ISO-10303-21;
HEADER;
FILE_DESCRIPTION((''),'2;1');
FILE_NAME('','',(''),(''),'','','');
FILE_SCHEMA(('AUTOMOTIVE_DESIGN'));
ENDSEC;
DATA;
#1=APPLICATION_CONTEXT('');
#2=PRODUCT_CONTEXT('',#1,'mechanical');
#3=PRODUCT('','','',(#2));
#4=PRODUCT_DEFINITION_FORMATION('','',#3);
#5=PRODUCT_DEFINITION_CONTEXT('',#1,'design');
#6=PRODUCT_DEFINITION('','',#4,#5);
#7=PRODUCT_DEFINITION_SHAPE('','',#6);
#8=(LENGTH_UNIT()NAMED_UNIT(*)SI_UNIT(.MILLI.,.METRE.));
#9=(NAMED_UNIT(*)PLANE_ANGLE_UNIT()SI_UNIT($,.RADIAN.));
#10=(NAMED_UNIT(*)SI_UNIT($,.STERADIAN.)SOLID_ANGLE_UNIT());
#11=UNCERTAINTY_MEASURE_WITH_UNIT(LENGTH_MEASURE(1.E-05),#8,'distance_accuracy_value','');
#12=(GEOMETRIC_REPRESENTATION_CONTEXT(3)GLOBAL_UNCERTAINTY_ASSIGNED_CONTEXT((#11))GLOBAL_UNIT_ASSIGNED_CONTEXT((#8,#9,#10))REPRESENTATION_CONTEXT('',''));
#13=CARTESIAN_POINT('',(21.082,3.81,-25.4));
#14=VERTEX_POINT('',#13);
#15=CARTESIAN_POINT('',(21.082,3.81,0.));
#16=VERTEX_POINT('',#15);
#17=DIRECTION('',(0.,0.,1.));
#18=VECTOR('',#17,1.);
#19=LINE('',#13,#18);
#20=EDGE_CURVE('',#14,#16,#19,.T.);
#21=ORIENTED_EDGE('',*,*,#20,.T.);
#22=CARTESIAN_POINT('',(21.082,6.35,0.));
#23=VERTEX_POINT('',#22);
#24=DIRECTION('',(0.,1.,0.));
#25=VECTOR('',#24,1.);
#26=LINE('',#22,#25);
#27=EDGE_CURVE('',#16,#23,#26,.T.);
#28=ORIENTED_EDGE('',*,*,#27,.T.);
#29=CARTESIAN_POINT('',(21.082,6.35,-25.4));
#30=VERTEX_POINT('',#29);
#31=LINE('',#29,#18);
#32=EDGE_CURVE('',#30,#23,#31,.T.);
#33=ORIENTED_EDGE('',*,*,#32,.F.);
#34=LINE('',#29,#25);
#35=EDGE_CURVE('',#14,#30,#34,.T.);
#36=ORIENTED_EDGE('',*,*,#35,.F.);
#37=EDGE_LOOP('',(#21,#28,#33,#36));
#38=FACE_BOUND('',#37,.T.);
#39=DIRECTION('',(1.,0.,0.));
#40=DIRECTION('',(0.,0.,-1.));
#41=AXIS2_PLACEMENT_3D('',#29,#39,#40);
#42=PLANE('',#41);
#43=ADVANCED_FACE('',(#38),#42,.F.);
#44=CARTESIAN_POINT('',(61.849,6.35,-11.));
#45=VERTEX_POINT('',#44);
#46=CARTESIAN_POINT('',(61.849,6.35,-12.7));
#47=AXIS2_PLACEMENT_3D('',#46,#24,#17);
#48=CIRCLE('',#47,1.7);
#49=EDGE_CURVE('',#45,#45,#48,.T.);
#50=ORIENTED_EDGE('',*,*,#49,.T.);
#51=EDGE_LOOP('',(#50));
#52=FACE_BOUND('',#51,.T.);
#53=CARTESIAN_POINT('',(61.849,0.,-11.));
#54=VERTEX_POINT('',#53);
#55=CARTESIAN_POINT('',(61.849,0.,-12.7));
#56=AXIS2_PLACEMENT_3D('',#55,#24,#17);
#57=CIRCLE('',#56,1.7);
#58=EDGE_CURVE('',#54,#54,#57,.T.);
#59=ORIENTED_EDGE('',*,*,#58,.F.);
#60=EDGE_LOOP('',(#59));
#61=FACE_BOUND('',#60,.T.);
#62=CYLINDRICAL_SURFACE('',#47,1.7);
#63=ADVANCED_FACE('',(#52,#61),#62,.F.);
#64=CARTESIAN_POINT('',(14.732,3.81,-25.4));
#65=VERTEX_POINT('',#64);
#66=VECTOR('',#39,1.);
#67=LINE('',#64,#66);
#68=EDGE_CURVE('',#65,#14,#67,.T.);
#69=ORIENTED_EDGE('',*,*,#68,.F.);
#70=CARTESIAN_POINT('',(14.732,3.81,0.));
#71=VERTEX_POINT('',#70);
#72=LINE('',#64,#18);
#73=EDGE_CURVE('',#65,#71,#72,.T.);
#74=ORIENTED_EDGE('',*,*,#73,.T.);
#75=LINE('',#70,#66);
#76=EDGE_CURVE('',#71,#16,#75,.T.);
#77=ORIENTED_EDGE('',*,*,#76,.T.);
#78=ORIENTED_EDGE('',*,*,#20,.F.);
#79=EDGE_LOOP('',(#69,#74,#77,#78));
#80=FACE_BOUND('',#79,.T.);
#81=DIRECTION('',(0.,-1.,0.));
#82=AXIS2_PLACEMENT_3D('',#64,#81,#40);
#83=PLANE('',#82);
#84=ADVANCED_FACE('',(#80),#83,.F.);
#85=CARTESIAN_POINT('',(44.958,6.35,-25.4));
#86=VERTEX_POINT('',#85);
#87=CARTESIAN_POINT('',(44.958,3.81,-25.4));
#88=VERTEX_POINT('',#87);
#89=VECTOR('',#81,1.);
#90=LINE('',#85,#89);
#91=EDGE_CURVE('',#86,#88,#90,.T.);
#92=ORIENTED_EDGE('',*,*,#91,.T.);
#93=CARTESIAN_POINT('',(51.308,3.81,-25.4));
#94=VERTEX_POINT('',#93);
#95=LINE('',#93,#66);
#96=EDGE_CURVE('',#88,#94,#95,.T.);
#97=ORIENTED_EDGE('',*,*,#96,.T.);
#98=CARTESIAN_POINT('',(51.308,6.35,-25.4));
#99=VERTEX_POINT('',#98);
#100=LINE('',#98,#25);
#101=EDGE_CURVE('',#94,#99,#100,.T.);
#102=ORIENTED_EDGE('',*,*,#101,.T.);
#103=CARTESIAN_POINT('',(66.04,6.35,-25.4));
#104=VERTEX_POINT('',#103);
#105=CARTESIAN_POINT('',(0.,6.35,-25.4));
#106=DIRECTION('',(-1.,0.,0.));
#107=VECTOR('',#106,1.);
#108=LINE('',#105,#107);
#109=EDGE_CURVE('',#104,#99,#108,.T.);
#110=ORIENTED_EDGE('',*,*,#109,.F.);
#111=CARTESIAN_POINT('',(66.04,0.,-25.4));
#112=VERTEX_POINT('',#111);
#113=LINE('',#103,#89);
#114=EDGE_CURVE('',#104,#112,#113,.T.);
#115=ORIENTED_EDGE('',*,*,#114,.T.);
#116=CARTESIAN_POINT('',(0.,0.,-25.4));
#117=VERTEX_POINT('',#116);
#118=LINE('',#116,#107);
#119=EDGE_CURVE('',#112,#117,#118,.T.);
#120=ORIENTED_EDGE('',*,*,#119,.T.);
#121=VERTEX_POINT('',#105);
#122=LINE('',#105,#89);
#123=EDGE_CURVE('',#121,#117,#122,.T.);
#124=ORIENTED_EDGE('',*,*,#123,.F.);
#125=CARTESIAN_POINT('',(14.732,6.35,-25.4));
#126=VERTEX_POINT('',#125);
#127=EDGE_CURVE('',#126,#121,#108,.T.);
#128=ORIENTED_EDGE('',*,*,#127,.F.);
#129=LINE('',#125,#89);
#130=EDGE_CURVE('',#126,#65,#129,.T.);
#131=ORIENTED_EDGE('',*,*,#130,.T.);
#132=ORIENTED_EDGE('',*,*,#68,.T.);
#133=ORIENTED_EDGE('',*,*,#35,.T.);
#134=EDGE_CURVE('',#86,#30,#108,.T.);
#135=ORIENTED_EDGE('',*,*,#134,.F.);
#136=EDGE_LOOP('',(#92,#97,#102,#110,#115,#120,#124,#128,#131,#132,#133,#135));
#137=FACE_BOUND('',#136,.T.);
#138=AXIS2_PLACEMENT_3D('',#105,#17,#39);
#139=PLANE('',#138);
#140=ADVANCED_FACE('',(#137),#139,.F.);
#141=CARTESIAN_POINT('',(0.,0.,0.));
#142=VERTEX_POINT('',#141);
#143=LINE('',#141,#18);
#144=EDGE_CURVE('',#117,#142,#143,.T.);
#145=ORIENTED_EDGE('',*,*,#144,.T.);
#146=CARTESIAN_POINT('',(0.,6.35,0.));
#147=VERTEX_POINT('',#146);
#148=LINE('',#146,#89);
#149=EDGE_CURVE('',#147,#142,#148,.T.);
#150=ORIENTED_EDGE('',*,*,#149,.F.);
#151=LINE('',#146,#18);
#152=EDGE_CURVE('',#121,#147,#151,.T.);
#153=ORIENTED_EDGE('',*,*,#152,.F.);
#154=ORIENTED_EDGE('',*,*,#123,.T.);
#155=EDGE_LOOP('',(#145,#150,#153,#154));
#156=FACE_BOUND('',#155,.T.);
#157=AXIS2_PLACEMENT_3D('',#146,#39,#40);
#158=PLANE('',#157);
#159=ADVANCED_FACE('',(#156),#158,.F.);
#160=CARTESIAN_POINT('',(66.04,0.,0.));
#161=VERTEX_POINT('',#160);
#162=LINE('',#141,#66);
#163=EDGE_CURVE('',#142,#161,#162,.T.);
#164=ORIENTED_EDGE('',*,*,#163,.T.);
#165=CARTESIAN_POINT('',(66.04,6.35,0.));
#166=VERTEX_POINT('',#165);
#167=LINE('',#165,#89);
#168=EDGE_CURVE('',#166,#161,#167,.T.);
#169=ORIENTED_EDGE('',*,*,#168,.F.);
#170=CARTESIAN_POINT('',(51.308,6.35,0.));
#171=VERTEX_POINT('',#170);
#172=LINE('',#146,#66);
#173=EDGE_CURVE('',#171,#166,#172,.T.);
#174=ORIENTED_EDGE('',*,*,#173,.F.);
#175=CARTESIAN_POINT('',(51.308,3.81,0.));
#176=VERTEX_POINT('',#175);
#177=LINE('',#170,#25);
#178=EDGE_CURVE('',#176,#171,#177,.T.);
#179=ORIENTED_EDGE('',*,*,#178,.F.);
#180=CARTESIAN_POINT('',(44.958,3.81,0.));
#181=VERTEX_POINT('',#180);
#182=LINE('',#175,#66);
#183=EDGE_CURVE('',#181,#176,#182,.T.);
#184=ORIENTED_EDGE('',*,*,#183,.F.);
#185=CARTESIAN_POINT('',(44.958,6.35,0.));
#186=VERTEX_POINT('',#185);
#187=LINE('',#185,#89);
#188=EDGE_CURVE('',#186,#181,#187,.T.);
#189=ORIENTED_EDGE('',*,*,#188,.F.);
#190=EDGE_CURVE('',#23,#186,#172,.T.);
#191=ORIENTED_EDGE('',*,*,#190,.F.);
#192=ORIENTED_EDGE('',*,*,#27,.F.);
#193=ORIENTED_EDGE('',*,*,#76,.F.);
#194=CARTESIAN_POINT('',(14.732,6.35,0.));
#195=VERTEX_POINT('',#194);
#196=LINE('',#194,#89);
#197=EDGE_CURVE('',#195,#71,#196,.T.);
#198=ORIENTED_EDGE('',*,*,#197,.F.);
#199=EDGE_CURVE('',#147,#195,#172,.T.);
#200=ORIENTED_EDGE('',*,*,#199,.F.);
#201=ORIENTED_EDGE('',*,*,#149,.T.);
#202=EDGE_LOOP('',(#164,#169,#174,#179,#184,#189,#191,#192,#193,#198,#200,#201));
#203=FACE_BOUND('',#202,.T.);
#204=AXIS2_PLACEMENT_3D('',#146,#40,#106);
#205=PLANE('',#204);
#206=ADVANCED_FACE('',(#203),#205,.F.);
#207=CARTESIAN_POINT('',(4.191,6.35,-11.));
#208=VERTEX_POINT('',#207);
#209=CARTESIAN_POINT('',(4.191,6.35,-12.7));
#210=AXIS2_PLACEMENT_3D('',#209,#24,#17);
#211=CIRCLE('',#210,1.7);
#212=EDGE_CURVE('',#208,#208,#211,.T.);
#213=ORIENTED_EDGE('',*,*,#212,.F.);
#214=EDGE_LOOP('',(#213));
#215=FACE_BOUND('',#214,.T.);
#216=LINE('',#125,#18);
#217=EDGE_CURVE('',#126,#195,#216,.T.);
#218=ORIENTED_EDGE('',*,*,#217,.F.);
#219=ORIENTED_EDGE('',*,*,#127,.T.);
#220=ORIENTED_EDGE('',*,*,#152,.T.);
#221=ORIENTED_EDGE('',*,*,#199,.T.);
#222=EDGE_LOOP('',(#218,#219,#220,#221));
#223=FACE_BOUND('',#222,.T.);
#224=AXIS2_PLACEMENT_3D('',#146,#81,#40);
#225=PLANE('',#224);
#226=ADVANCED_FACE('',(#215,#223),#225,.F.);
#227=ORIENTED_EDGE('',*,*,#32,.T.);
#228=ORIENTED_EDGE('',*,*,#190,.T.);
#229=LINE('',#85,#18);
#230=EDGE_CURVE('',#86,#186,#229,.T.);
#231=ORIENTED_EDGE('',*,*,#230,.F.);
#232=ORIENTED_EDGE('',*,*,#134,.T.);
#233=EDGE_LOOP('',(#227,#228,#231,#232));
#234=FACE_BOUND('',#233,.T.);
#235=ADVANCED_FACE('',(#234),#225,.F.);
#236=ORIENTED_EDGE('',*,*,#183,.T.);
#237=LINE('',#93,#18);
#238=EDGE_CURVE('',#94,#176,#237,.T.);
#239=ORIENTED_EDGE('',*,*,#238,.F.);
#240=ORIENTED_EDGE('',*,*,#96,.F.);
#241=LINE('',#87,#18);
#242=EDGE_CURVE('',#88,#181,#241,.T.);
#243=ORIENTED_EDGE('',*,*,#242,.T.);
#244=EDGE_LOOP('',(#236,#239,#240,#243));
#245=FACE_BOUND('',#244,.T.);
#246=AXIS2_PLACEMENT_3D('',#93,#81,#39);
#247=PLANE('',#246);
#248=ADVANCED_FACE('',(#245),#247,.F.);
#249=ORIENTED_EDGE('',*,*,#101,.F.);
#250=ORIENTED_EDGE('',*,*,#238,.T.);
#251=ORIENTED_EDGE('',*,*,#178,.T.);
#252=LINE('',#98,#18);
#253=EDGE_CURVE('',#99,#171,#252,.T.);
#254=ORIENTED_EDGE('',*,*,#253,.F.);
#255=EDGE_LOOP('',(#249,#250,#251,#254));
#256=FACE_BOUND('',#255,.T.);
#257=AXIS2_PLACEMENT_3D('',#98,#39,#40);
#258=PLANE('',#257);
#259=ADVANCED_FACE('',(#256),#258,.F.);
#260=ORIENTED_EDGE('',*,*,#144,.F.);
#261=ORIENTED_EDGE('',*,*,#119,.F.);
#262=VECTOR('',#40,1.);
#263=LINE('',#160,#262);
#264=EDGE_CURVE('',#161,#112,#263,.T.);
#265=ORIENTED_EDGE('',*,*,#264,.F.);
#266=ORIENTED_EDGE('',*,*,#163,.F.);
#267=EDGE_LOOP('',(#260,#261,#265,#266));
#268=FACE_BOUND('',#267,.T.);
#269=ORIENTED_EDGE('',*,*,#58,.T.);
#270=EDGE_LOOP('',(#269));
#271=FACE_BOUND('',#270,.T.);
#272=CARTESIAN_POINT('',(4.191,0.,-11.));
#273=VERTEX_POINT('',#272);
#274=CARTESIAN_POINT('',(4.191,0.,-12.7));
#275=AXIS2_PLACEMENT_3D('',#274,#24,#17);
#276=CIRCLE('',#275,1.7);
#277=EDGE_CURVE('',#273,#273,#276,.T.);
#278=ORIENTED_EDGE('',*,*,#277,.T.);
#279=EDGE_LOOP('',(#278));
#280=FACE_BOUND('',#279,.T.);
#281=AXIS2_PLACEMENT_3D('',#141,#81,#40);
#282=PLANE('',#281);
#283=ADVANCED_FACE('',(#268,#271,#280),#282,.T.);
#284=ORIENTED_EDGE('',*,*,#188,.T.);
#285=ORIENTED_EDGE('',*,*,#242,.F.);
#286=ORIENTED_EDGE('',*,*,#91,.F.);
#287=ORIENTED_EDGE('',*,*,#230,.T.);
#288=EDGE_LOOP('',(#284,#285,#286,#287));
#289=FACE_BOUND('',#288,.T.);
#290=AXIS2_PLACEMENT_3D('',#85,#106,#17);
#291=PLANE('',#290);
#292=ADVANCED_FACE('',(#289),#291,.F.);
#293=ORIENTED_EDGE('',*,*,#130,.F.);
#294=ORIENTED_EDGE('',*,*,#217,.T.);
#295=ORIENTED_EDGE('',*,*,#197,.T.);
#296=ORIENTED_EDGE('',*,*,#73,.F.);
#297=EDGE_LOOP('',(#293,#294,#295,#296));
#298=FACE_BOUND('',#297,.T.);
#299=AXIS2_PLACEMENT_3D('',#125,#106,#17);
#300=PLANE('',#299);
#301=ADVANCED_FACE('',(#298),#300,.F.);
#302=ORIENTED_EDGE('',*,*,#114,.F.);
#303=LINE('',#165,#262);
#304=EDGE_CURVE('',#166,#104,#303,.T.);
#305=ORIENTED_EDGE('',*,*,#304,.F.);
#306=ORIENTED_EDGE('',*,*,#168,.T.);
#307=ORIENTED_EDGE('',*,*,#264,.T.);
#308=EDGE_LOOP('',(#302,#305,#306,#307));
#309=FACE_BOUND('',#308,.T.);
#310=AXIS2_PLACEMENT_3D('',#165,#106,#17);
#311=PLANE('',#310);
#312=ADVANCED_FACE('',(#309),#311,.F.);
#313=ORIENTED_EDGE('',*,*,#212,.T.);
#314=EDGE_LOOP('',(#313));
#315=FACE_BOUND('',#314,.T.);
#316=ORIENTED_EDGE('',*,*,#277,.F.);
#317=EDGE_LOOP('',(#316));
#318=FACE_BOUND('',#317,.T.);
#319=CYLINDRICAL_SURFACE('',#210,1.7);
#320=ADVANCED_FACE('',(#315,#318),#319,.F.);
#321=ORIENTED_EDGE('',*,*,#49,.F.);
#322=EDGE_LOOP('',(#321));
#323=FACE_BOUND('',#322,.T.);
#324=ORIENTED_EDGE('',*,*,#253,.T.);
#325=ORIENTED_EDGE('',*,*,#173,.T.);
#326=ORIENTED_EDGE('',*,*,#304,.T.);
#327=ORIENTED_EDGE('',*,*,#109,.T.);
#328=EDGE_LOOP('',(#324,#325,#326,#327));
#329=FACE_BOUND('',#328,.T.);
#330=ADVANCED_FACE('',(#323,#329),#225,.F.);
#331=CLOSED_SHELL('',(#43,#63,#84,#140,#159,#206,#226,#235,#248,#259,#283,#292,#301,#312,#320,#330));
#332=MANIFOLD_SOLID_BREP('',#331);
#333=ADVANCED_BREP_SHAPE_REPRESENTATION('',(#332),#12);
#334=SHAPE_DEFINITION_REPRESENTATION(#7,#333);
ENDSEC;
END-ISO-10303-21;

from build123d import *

# Parameters (mm, degrees)
SKETCH1_W            = 66.04
SKETCH1_H            = 25.4
BOSS_EXTRUDE1_DEPTH  = 6.35
M3_CLEARANCE_HOLE1_D = 3.4
SKETCH5_W            = 6.35
SKETCH5_H            = 2.54
CUT_EXTRUDE1_DEPTH   = 72.040580656


with BuildPart() as part:
    # Sketch1 → Boss-Extrude1 (new body)
    with BuildSketch(Plane(origin=(0, 0, 0), x_dir=(1, 0, 0), z_dir=(0, 1, 0))):
        with Locations((33.02, 12.7)):
            Rectangle(SKETCH1_W, SKETCH1_H)
    extrude(amount=BOSS_EXTRUDE1_DEPTH)

    # M3 Clearance Hole1 (through all)
    with Locations(Plane(origin=(0, 6.35, 0), x_dir=(1, 0, 0), z_dir=(0, 1, 0))):
        with Locations((4.191, 12.7), (61.849, 12.7)):
            Hole(M3_CLEARANCE_HOLE1_D / 2)

    # Sketch5 → Cut-Extrude1 (cut, through all)
    with BuildSketch(Plane.XY):
        with Locations((48.133, 5.08)):
            Rectangle(SKETCH5_W, SKETCH5_H)
        with Locations((17.907, 5.08)):
            Rectangle(SKETCH5_W, SKETCH5_H)
    extrude(amount=-CUT_EXTRUDE1_DEPTH, mode=Mode.SUBTRACT)


solid = part.part
